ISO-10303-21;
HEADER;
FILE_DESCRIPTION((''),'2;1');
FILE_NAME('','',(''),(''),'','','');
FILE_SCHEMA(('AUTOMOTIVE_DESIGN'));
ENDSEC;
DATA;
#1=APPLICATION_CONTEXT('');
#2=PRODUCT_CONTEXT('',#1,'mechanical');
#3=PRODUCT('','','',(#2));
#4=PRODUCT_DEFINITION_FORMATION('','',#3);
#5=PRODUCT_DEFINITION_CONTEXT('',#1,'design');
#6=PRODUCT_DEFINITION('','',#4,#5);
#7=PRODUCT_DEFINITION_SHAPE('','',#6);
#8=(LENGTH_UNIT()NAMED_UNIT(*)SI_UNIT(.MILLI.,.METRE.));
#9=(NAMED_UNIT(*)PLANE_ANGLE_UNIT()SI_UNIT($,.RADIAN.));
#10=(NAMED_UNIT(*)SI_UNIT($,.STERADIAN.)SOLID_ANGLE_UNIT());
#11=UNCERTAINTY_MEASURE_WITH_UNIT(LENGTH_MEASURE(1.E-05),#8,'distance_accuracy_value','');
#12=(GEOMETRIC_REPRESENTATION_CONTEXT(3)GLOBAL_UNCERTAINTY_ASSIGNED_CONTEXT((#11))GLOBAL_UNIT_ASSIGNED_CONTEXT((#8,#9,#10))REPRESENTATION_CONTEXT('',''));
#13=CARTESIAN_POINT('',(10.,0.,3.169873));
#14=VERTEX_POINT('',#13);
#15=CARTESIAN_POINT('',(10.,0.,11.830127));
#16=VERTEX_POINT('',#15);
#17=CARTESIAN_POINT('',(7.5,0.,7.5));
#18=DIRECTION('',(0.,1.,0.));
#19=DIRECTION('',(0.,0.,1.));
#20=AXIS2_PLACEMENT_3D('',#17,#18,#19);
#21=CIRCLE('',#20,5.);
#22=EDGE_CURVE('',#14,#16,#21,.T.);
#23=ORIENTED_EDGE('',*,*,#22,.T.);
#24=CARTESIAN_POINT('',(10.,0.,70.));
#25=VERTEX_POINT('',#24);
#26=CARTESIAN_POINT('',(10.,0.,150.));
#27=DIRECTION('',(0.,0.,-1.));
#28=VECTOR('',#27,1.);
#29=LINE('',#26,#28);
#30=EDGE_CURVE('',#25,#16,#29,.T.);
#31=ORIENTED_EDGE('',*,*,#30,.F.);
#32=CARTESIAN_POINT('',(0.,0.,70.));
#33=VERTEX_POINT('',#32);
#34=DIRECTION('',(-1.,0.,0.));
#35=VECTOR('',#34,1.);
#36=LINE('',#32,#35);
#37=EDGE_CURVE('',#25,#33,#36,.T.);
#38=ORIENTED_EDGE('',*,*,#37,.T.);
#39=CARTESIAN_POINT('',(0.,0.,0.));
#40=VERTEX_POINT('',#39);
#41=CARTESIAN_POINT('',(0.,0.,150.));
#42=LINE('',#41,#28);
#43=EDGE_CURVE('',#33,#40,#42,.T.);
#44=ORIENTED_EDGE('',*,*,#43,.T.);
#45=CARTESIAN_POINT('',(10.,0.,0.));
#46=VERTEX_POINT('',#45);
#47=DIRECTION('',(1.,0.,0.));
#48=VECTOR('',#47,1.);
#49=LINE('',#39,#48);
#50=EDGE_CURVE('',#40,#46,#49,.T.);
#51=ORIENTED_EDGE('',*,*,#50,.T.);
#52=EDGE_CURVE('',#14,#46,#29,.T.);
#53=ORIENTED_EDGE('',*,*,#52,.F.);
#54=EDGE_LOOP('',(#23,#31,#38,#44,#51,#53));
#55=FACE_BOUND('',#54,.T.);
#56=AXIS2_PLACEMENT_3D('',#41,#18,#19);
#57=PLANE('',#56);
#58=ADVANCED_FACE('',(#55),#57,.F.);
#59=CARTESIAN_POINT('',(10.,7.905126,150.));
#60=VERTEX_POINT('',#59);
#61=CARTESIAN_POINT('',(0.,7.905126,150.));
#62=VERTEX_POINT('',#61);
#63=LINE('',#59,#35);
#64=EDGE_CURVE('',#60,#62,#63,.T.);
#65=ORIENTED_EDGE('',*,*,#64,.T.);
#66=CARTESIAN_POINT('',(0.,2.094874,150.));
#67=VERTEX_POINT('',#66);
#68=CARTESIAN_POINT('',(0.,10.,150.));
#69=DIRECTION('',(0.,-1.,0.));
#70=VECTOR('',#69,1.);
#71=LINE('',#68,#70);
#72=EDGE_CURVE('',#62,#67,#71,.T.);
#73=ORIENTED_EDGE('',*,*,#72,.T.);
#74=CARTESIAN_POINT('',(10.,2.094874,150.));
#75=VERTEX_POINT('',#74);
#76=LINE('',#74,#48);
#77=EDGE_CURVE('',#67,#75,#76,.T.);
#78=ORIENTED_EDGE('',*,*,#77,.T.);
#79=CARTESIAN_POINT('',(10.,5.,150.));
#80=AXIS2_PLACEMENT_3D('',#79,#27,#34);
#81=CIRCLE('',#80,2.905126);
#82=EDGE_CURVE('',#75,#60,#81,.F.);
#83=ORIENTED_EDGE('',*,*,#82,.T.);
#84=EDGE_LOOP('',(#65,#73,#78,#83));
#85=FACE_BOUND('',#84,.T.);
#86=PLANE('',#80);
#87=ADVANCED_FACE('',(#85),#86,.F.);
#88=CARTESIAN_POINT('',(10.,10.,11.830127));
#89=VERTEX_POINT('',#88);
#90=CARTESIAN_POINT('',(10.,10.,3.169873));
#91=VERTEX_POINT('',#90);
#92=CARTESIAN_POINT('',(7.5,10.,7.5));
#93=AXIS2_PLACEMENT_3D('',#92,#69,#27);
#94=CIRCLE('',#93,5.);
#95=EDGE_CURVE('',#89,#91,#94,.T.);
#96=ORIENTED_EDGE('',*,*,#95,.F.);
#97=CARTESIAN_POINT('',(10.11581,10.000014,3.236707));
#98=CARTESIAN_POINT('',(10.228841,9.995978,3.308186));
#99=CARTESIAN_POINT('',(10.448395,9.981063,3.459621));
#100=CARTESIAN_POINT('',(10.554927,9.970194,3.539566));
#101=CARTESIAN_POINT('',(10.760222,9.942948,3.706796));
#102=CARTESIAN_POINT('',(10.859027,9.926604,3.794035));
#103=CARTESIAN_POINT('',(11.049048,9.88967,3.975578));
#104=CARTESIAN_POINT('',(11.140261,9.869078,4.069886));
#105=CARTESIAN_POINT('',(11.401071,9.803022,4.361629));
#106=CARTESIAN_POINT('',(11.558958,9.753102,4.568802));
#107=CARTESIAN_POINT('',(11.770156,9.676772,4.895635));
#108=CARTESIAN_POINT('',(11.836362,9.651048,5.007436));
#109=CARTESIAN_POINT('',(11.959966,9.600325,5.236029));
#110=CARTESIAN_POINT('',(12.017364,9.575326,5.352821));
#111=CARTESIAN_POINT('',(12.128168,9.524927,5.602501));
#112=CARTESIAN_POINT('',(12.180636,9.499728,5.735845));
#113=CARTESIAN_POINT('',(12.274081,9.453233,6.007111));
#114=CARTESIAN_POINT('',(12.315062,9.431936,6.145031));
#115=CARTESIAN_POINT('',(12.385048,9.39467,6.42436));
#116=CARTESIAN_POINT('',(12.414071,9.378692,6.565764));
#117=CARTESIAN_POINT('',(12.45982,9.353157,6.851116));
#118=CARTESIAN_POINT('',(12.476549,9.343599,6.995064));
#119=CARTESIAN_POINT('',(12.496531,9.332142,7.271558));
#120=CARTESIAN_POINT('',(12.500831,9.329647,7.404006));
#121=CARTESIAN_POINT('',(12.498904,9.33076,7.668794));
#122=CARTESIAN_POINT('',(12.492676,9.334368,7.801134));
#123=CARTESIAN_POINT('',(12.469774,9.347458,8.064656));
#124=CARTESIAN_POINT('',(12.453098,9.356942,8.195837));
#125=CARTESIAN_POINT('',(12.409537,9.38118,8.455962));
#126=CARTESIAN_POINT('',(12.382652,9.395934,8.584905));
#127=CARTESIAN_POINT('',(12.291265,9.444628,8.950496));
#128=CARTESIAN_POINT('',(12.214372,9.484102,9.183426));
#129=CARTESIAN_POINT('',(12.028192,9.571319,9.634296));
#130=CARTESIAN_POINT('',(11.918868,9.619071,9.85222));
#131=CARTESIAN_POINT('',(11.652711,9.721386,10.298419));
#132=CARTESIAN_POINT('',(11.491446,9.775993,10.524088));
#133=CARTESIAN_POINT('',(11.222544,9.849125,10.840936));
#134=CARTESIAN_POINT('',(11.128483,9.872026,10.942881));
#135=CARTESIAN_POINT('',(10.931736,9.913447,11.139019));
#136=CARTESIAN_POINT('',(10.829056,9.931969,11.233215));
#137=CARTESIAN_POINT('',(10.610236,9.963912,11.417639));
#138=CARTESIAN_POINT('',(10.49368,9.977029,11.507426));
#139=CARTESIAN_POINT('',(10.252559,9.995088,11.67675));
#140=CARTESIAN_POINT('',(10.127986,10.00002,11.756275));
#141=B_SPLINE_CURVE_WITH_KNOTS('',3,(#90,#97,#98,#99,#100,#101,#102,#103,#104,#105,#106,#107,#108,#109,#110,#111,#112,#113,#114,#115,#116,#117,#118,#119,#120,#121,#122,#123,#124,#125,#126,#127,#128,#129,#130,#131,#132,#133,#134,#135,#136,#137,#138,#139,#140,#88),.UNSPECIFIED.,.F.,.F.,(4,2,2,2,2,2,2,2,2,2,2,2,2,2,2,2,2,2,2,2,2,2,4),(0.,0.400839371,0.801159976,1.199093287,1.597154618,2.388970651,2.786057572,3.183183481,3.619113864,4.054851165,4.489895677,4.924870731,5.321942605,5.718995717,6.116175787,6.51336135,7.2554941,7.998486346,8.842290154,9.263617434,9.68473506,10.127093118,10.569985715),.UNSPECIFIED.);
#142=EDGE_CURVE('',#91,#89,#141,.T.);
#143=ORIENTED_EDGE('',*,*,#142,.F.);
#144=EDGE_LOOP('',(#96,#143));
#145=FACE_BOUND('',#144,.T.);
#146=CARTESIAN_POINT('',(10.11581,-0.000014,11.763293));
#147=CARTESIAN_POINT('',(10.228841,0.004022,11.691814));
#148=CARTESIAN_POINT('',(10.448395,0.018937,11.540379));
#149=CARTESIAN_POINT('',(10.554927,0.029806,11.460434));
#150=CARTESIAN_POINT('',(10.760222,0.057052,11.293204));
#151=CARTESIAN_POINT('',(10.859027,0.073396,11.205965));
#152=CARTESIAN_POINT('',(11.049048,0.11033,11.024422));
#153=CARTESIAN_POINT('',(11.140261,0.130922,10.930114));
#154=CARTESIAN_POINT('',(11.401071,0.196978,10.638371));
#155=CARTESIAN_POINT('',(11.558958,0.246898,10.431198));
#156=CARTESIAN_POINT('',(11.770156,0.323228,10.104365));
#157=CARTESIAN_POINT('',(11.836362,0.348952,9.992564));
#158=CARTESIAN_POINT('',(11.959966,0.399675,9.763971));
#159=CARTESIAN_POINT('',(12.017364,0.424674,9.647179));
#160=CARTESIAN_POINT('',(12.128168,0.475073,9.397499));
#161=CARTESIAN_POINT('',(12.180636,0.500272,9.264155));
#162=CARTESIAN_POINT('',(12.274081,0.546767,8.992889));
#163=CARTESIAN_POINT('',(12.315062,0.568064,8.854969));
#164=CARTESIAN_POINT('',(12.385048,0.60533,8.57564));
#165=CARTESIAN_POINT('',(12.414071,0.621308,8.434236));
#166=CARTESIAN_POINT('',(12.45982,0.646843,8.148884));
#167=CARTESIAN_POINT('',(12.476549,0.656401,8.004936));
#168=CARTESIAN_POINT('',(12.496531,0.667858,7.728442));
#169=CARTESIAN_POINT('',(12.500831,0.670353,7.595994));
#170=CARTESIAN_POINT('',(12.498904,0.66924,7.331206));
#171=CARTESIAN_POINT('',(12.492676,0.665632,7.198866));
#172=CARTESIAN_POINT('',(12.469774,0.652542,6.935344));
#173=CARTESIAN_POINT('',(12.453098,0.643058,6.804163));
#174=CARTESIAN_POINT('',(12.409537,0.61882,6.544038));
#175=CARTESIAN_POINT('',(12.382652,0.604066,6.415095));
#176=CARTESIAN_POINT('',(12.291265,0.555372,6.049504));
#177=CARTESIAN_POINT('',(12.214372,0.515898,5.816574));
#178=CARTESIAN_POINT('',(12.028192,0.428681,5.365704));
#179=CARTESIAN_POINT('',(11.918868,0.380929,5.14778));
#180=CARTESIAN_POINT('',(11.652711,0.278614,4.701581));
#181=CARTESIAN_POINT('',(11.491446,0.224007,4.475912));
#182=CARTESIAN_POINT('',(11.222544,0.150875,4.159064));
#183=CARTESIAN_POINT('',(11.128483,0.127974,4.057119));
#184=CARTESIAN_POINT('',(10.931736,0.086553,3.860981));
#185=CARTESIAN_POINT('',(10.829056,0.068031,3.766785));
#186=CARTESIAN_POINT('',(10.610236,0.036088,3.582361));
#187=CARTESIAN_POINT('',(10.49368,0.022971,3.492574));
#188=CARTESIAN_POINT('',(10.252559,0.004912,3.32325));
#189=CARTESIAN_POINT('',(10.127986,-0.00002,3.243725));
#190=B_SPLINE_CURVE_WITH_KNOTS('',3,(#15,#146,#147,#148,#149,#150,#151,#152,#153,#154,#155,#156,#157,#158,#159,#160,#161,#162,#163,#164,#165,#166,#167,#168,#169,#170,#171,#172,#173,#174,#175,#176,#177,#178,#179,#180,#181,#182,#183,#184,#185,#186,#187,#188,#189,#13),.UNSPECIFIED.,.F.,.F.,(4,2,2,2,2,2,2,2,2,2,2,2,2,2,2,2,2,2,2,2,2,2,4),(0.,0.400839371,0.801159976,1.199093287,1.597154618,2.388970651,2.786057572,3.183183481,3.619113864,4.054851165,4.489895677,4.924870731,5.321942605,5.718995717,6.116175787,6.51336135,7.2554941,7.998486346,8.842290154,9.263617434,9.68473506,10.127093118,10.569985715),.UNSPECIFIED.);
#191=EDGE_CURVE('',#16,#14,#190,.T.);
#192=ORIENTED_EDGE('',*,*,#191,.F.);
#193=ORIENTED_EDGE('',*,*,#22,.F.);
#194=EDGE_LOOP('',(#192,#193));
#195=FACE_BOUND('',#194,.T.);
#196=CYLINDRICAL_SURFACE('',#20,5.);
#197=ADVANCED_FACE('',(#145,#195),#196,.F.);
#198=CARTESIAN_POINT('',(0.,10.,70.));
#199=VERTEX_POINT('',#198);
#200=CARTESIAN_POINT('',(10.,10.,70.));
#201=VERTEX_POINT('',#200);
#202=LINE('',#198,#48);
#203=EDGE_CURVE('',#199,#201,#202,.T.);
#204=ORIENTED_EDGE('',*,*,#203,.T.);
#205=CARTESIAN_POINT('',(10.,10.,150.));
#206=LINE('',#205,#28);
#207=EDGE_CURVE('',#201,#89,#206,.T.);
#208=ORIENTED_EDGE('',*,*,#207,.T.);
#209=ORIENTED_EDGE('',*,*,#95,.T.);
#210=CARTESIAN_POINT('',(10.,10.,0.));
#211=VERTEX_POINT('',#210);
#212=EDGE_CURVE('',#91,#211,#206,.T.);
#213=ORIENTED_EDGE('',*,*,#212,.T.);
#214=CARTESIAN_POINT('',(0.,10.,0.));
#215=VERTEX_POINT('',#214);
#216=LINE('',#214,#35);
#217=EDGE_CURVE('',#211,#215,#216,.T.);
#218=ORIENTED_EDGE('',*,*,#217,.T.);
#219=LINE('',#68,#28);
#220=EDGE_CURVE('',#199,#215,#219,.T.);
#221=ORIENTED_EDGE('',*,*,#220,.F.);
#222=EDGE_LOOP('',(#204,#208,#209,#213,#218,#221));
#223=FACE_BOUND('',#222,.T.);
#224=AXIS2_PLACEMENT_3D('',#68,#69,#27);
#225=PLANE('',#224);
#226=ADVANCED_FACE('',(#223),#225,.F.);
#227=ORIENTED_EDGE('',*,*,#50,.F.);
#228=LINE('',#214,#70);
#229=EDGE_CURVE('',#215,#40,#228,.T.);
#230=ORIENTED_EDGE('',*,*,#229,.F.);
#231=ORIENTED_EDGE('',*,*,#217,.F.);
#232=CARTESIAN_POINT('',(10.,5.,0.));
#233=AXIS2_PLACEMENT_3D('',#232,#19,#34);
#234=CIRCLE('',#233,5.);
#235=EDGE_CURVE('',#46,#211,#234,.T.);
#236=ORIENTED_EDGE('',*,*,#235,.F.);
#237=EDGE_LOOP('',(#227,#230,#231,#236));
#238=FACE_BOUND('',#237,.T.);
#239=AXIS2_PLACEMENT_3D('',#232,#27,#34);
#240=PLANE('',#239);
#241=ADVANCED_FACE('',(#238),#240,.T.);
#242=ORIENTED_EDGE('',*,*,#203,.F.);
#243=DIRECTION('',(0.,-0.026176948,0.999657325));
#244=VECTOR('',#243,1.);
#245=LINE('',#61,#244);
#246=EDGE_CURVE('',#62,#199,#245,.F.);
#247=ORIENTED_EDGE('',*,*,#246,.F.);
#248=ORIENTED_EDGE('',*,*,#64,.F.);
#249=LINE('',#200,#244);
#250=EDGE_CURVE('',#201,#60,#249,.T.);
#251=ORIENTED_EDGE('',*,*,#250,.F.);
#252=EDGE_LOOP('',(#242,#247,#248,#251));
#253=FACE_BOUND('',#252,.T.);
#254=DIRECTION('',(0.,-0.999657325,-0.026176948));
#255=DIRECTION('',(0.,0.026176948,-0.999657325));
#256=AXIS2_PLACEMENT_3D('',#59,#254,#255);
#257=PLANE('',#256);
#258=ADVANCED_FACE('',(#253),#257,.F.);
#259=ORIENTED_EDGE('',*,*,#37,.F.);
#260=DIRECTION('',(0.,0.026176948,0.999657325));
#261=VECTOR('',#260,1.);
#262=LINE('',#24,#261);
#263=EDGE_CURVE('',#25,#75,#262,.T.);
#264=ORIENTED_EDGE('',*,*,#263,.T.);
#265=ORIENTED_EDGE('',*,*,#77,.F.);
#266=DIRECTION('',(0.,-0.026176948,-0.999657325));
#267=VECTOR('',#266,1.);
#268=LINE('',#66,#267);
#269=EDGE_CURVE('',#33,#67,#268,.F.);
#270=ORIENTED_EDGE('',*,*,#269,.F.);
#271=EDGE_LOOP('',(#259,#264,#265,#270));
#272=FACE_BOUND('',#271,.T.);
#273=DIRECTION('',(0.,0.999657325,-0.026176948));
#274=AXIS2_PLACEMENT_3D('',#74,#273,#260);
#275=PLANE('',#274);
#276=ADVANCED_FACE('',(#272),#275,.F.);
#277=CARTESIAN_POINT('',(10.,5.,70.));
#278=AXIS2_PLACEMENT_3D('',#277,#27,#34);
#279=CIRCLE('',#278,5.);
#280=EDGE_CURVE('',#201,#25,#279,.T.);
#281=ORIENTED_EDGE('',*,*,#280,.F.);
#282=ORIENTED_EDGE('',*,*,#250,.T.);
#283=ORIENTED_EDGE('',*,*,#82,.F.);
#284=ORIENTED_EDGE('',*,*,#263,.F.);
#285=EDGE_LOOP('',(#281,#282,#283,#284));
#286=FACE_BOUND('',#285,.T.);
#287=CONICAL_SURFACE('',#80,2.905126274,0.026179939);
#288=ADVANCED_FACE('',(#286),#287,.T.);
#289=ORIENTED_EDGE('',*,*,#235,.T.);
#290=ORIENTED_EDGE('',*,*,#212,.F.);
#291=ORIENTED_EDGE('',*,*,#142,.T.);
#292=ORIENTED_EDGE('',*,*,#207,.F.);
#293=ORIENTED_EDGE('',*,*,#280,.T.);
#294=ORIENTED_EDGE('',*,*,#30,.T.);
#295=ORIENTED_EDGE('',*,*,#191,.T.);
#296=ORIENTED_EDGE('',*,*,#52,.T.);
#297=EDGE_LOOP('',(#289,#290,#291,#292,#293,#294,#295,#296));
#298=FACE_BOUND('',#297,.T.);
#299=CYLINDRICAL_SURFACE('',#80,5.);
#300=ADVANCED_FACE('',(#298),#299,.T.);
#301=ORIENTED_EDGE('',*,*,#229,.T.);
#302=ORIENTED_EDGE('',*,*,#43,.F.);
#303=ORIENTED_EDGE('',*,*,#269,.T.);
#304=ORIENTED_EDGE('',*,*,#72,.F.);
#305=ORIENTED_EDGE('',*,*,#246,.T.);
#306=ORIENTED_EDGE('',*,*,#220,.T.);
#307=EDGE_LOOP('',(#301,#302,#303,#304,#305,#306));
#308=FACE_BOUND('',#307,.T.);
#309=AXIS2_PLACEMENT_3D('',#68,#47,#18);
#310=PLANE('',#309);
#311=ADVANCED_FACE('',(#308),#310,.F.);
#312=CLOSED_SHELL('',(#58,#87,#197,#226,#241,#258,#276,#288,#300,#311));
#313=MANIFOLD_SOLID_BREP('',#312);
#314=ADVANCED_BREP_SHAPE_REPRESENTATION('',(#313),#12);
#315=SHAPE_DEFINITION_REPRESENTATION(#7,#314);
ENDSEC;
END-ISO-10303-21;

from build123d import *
from OCP.BRepFilletAPI import BRepFilletAPI_MakeChamfer

# Parameters (mm, degrees)
EXTRUDE_1_DEPTH     = 150
SKETCH_2_R          = 5
CUT_EXTRUDE_2_DEPTH = 152.079449297
CHAMFER_1_SIZE      = 80
CHAMFER_1_SIZE2     = 2.094873726


with BuildPart() as part:
    # 草图1 → 拉伸1 (new body)
    with BuildSketch(Plane.XY):
        with BuildLine():
            Line((0, 10), (10, 10))
            ThreePointArc((10, 10), (15, 5), (10, 0))
            Line((10, 0), (0, 0))
            Line((0, 0), (0, 10))
        make_face()
    extrude(amount=EXTRUDE_1_DEPTH)

    # 草图2 → 拉伸2 (cut, through all)
    with BuildSketch(Plane(origin=(0, 10, 0), x_dir=(1, 0, 0), z_dir=(0, 1, 0))):
        with Locations(Location((7.5, -7.5, 0), (0, 0, 300))):
            Circle(SKETCH_2_R)
    extrude(amount=-CUT_EXTRUDE_2_DEPTH, mode=Mode.SUBTRACT)

    # 倒角1: one chamfer whose edges measure the first distance from different faces: ONE call of the kernel's chamfer builder (chamfer() names one face for all edges)
    chamfer_1_edges_1 = [part.edges().sort_by_distance(p)[0] for p in [
        (15, 5, 150),
    ]]
    chamfer_1_side_1 = [part.faces().sort_by_distance(p)[0] for p in [
        (15, 5, 75),
    ]]
    chamfer_1_edges_2 = [part.edges().sort_by_distance(p)[0] for p in [
        (5, 10, 150),
    ]]
    chamfer_1_side_2 = [part.faces().sort_by_distance(p)[0] for p in [
        (4.927731535, 10, 77.968371884),
    ]]
    chamfer_1_edges_3 = [part.edges().sort_by_distance(p)[0] for p in [
        (5, 0, 150),
    ]]
    chamfer_1_side_3 = [part.faces().sort_by_distance(p)[0] for p in [
        (4.927731535, 0, 77.968371884),
    ]]
    chamfer_1 = BRepFilletAPI_MakeChamfer(part.part.solid().wrapped)
    for e in chamfer_1_edges_1:
        chamfer_1.Add(CHAMFER_1_SIZE, CHAMFER_1_SIZE2, e.wrapped, chamfer_1_side_1[0].wrapped)  # the first distance lies on this face
    for e in chamfer_1_edges_2:
        chamfer_1.Add(CHAMFER_1_SIZE, CHAMFER_1_SIZE2, e.wrapped, chamfer_1_side_2[0].wrapped)  # the first distance lies on this face
    for e in chamfer_1_edges_3:
        chamfer_1.Add(CHAMFER_1_SIZE, CHAMFER_1_SIZE2, e.wrapped, chamfer_1_side_3[0].wrapped)  # the first distance lies on this face
    add(Compound.cast(chamfer_1.Shape()), mode=Mode.REPLACE)


solid = part.part
